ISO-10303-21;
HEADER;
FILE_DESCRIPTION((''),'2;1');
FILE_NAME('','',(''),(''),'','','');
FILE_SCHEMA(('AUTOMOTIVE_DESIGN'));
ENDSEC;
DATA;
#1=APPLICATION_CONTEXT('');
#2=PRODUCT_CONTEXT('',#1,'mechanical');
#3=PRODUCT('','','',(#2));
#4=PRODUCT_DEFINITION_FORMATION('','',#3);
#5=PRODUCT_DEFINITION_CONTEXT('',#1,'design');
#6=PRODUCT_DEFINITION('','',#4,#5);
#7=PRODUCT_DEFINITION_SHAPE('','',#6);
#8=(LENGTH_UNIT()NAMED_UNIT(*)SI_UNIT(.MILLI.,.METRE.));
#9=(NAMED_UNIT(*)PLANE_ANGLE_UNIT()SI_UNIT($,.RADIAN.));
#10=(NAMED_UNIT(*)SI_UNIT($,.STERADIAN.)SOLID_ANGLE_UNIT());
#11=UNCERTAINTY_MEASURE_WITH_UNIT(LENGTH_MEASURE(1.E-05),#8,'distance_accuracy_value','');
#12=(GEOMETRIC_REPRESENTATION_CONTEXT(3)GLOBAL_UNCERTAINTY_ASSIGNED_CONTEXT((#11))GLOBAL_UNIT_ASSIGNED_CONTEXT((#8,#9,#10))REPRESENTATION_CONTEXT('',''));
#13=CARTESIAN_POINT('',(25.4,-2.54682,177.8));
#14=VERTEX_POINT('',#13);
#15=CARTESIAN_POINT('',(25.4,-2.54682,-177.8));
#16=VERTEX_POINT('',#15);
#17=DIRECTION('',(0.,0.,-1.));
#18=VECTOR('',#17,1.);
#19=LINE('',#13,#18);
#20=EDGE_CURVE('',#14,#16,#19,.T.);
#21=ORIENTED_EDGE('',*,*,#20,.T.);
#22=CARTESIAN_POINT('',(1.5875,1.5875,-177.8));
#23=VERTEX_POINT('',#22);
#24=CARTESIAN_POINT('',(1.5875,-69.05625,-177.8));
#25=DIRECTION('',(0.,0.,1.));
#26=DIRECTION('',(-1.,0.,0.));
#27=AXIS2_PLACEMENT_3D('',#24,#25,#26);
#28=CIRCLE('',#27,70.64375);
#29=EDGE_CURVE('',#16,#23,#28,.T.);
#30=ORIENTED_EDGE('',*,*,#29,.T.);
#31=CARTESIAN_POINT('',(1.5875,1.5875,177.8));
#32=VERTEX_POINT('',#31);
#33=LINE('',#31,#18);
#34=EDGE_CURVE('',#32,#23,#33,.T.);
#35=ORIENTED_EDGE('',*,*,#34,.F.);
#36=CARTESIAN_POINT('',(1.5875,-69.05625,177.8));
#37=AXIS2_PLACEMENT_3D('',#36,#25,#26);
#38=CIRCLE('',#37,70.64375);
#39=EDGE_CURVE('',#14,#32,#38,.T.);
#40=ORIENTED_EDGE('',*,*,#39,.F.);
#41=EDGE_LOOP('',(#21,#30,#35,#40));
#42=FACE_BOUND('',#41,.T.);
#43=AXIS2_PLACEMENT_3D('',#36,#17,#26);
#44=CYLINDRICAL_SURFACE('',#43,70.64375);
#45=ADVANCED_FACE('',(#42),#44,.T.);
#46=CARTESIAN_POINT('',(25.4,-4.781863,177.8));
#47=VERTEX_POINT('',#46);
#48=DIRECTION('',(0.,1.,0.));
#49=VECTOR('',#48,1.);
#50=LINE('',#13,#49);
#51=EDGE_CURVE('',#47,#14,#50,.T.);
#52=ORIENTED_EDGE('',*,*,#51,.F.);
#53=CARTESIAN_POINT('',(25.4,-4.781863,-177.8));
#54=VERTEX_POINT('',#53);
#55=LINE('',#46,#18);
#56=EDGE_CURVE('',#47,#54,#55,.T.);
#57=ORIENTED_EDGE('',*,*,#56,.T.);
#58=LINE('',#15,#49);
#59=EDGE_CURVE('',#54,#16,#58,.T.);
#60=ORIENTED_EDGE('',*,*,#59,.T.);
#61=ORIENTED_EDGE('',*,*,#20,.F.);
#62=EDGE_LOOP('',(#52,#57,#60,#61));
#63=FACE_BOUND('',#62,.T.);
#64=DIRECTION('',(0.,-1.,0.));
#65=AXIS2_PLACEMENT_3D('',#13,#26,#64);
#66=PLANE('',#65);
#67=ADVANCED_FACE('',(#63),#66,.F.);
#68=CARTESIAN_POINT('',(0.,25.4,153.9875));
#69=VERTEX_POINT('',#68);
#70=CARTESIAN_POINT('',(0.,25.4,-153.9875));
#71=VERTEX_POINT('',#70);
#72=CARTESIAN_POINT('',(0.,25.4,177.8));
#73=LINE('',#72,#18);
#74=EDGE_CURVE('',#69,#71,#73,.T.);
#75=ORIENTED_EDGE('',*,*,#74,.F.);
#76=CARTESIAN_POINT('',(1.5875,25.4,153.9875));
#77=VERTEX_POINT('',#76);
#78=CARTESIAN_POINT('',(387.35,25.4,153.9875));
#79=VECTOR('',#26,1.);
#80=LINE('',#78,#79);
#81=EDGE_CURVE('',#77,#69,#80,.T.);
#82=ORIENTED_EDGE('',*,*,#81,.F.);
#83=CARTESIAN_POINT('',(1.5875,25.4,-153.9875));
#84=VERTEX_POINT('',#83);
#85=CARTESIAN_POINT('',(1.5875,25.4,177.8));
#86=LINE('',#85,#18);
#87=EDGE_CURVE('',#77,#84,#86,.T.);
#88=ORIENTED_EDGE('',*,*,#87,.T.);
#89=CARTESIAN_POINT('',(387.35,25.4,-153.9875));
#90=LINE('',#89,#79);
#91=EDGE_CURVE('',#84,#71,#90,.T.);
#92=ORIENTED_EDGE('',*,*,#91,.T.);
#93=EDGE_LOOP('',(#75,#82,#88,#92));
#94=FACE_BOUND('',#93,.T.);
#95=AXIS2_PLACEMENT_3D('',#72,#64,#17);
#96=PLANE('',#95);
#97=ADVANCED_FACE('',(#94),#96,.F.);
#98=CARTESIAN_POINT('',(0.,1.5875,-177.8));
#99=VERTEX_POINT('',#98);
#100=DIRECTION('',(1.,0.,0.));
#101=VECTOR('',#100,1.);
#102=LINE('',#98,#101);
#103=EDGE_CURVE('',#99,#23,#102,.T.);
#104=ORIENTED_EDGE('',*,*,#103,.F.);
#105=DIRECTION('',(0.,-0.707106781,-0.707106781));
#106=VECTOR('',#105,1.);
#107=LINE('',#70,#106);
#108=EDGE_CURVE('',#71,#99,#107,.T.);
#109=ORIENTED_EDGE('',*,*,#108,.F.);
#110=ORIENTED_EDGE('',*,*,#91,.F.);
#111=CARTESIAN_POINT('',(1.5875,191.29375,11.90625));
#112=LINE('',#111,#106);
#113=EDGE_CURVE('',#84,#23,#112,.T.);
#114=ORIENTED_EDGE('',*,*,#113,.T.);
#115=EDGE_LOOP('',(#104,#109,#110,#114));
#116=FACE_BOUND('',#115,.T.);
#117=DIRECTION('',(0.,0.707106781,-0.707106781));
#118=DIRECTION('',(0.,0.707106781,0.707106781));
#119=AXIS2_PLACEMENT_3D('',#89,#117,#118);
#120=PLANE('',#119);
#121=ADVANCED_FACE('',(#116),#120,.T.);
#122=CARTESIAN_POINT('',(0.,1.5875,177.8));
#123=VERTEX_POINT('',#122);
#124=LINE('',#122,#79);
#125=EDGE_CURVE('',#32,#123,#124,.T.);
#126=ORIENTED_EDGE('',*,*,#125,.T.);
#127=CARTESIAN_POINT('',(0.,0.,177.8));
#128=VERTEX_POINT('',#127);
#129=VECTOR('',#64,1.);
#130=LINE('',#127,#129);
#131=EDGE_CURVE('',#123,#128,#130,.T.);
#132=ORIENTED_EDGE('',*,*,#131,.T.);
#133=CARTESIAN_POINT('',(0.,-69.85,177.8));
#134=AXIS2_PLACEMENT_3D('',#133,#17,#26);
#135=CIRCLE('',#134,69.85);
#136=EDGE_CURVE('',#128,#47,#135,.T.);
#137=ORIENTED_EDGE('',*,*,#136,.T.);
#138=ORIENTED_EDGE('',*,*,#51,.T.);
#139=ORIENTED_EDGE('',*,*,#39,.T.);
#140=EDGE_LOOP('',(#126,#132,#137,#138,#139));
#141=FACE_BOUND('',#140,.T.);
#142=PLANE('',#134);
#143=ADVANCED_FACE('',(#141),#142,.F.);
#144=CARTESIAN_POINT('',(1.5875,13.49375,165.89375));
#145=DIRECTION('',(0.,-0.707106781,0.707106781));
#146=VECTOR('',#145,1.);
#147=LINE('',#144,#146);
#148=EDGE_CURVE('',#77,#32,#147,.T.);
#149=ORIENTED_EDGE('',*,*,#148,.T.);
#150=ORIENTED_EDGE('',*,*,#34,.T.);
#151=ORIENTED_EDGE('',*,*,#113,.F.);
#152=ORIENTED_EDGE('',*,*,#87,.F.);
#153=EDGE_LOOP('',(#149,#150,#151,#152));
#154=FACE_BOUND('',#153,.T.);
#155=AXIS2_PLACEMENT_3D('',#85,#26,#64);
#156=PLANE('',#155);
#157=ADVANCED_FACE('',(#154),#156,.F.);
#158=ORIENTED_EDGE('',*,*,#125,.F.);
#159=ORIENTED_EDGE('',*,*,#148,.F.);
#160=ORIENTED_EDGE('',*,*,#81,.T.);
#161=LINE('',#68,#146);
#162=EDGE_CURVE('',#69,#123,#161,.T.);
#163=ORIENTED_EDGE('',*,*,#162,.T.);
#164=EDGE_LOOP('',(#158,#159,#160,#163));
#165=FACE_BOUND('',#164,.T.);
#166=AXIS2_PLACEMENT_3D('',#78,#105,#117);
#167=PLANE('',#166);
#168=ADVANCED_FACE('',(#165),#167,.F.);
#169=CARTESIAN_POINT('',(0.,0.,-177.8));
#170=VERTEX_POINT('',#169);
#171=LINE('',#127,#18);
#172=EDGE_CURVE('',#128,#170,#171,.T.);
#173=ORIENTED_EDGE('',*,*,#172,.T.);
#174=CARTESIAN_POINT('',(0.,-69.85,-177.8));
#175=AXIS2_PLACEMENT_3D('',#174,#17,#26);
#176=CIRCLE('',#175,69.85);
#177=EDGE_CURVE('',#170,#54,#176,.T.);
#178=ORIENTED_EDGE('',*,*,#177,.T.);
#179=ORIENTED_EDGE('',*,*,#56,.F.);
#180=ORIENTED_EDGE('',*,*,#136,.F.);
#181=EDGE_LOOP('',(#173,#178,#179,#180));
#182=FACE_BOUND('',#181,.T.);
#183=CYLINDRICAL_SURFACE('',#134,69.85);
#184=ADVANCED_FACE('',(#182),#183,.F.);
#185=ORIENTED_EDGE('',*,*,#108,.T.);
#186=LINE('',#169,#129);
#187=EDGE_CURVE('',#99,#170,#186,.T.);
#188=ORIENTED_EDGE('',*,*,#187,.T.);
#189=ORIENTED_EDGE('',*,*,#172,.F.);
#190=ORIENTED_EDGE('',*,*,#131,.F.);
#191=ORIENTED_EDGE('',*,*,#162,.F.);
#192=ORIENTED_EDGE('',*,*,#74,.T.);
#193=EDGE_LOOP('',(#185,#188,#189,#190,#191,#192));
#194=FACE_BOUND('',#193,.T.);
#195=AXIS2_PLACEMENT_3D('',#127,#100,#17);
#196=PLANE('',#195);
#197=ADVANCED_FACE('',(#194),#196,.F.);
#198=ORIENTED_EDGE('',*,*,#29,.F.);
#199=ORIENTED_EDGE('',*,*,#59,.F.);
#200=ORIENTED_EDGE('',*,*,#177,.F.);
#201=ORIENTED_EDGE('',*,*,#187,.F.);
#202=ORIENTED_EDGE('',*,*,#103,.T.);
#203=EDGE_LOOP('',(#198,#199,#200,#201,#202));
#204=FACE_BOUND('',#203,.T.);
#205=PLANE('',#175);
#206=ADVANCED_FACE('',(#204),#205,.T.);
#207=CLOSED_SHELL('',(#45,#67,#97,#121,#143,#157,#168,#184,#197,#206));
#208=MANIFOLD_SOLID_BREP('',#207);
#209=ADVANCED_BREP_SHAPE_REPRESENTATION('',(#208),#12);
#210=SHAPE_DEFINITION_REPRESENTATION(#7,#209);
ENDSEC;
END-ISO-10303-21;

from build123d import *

# Parameters (mm, degrees)
EXTRUDE1_DEPTH = 177.8
EXTRUDE2_DEPTH = 387.35


with BuildPart() as part:
    # Sketch1 → Extrude1 (new, symmetric)
    with BuildSketch(Plane.XY):
        with BuildLine():
            Line((0, 0), (0, 25.4))
            Line((0, 25.4), (1.5875, 25.4))
            Line((1.5875, 25.4), (1.5875, 1.5875))
            ThreePointArc((1.5875, 1.5875), (13.671867582, 0.546246178), (25.4, -2.546820159))
            Line((25.4, -2.546820159), (25.4, -4.781862636))
            ThreePointArc((25.4, -4.781862636), (12.923101507, -1.205874633), (0, 0))
        make_face()
    extrude(amount=EXTRUDE1_DEPTH, both=True)

    # Sketch2 → Extrude2 (cut)
    with BuildSketch(Plane.ZY):
        Polygon((177.8, 25.4), (153.9875, 25.4), (177.8, 1.5875), align=None)
    extrude2 = extrude(amount=-EXTRUDE2_DEPTH, mode=Mode.SUBTRACT)

    # Mirror2: Extrude2 across plane
    add(extrude2.mirror(Plane(origin=(0, 0, 0), x_dir=(1, 0, 0), z_dir=(0, 0, -1))), mode=Mode.SUBTRACT)


solid = part.part
